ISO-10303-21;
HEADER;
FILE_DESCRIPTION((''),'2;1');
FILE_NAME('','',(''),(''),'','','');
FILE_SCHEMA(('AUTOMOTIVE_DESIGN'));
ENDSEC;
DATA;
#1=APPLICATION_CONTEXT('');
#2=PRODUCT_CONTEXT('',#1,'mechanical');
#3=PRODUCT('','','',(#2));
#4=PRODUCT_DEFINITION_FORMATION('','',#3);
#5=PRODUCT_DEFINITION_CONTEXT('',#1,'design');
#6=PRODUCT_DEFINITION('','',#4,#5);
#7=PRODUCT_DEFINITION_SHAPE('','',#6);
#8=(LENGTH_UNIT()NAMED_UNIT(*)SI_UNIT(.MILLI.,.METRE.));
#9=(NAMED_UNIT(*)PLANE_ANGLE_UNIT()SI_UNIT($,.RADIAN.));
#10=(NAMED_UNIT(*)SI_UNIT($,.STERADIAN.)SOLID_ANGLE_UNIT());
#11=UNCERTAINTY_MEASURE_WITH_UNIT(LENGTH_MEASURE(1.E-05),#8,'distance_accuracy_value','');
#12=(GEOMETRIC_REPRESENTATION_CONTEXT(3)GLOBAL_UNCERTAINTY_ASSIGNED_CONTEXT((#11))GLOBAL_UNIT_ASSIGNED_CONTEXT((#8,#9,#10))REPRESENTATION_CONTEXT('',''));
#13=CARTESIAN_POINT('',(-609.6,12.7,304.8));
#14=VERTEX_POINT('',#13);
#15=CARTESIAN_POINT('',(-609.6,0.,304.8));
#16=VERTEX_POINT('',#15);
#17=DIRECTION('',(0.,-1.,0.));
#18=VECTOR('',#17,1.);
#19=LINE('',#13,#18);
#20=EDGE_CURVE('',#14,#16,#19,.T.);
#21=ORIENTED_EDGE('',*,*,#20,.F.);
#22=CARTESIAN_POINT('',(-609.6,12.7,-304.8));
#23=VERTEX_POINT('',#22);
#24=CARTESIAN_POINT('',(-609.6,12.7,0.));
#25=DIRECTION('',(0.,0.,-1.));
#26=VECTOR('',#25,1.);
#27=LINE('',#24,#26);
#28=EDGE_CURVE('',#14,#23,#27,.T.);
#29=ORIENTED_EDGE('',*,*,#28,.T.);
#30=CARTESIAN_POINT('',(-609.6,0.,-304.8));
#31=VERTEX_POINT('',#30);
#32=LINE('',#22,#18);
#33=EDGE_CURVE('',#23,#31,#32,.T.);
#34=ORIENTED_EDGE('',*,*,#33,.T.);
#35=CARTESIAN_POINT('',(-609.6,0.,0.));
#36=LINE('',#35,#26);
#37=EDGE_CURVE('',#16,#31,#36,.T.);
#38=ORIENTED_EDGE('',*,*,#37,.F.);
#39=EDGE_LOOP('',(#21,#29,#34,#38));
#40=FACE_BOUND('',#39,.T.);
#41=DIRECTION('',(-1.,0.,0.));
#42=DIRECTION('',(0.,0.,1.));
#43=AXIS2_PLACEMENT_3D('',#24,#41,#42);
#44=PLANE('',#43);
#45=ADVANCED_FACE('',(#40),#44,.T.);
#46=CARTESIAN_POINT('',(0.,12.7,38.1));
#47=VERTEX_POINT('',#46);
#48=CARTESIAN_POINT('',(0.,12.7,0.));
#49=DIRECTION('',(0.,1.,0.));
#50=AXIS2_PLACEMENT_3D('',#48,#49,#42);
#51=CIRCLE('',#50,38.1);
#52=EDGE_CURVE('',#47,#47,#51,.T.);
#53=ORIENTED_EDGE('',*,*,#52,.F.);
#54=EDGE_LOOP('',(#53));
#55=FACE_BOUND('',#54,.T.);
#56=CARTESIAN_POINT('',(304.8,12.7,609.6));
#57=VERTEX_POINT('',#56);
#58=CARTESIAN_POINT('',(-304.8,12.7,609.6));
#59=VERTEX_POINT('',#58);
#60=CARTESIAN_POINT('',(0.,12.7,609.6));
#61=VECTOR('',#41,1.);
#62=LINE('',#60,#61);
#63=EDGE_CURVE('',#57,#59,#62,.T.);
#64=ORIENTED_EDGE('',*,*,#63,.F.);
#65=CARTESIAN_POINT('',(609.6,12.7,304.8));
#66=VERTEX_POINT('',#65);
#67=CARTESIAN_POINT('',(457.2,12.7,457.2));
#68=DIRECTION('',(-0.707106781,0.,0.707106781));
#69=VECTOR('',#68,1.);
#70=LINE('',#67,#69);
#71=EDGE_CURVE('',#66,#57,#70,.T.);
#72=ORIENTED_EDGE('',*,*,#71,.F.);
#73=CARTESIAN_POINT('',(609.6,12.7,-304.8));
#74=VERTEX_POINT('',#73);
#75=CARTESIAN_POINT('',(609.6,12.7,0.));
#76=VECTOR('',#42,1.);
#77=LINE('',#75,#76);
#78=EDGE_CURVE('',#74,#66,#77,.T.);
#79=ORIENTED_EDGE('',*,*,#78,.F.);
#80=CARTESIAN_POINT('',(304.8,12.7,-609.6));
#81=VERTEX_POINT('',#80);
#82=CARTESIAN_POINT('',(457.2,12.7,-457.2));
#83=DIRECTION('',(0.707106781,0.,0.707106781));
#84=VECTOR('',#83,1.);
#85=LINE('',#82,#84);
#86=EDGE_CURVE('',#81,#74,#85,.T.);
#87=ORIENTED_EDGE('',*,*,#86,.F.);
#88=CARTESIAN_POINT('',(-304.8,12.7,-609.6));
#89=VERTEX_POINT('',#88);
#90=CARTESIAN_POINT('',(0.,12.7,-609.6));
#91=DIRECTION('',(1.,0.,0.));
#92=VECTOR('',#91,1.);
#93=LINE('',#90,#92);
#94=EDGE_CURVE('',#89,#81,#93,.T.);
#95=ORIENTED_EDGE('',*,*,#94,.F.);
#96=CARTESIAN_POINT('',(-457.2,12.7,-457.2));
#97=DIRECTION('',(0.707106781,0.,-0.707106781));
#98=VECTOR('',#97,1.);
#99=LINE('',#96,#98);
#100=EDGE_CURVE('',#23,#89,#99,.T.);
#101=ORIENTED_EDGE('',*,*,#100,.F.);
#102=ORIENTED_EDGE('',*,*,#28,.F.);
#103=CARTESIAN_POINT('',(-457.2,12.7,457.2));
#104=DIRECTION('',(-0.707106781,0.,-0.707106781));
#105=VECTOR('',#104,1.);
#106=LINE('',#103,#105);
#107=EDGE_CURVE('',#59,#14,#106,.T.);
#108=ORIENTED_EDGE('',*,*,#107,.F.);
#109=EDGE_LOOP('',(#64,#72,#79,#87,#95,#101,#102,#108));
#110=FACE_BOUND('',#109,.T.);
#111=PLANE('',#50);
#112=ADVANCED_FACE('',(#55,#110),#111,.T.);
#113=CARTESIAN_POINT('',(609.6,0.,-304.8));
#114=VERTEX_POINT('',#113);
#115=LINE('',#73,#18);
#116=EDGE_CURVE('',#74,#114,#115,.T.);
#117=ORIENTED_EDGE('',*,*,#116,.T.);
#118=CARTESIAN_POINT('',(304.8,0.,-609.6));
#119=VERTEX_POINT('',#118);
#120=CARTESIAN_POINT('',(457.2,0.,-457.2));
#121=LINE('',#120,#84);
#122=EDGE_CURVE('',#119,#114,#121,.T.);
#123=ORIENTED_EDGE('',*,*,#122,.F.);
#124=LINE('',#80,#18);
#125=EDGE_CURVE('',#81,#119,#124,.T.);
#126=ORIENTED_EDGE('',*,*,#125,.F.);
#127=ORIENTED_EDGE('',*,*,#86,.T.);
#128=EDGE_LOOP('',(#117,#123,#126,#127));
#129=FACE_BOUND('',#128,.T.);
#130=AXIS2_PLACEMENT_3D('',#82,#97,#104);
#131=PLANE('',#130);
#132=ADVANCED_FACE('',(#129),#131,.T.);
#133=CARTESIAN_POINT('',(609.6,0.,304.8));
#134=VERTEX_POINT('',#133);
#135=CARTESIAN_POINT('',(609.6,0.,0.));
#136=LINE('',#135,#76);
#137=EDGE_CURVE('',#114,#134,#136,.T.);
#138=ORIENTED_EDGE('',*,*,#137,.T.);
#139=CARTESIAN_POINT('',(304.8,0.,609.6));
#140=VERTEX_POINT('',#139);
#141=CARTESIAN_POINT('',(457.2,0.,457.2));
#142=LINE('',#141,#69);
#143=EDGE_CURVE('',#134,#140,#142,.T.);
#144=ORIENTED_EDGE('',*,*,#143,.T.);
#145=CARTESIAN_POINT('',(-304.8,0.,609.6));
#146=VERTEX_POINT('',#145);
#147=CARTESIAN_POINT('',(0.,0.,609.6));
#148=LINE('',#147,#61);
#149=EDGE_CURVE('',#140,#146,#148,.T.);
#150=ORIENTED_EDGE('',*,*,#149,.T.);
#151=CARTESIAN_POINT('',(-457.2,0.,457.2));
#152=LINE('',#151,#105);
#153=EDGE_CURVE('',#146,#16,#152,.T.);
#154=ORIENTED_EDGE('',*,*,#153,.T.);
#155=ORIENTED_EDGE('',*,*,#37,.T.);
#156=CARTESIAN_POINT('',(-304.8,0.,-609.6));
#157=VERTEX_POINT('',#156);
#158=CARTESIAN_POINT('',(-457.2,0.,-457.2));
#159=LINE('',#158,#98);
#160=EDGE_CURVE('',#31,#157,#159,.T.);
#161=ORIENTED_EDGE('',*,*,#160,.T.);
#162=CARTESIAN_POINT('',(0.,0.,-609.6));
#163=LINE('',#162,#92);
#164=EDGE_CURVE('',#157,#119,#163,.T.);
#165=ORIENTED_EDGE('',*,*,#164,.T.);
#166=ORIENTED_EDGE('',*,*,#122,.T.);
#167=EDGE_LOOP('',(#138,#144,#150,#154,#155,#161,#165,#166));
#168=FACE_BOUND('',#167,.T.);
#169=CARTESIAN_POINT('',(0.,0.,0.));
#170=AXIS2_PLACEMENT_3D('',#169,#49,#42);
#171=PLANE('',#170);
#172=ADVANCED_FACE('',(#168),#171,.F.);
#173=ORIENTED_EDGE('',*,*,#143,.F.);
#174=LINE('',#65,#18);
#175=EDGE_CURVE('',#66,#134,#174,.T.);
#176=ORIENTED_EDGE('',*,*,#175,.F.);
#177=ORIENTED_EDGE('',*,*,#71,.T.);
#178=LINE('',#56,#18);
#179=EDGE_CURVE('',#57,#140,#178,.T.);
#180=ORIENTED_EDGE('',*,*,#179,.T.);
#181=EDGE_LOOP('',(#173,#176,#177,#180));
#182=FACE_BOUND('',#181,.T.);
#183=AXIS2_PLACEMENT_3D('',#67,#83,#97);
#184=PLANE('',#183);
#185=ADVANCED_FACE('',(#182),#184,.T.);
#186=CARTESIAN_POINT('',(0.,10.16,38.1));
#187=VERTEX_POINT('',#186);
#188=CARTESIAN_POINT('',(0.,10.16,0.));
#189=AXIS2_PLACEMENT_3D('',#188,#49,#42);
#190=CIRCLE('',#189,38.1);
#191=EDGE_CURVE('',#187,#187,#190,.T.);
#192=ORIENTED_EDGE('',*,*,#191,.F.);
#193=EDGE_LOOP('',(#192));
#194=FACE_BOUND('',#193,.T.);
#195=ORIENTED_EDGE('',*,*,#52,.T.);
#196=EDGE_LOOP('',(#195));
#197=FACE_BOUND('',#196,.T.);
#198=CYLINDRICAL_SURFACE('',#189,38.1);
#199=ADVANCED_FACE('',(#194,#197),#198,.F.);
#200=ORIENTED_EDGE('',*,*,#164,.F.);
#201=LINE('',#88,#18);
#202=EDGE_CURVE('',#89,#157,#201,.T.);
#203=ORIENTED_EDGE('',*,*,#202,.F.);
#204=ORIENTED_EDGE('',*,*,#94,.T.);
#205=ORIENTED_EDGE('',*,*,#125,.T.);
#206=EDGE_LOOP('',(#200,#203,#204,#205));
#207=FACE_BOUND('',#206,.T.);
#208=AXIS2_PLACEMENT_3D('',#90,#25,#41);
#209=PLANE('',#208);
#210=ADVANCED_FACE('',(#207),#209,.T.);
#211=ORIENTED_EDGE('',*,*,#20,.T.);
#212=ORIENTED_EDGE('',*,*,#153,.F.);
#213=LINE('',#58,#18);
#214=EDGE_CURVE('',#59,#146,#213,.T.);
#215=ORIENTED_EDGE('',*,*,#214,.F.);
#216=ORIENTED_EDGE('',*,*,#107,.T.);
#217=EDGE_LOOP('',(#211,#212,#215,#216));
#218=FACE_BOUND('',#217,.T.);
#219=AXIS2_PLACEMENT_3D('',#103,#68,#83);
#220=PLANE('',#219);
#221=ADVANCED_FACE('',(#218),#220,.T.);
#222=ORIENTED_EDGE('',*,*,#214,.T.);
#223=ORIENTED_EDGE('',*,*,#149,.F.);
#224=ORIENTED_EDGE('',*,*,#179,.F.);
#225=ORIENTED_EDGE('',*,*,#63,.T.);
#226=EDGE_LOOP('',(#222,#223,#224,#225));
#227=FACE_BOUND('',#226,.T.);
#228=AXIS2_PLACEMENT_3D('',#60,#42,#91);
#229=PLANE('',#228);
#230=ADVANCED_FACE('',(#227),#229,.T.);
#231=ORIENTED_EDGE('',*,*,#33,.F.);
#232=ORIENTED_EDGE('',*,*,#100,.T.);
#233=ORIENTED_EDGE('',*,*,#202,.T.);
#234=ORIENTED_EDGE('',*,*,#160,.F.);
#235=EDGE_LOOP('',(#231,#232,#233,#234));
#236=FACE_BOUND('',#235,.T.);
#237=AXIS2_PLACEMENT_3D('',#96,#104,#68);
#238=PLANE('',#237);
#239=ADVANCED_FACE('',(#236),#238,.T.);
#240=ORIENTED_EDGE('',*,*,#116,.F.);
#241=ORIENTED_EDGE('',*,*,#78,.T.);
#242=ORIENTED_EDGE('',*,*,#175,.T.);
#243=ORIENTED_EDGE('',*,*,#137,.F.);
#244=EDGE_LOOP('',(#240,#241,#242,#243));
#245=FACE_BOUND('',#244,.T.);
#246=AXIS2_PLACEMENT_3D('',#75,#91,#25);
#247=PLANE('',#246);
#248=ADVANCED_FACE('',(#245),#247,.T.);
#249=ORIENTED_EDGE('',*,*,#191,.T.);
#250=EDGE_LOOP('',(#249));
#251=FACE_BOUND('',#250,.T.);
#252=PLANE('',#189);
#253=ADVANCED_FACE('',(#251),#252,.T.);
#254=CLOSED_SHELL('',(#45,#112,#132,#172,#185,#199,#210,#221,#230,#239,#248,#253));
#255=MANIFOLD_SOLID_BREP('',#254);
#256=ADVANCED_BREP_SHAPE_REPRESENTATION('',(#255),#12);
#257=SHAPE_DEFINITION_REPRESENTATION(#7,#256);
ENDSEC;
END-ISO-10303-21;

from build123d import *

# Parameters (mm, degrees)
BOSS_EXTRUDE1_DEPTH = 12.7
SKETCH2_R           = 38.1
CUT_EXTRUDE1_DEPTH  = 2.54


with BuildPart() as part:
    # Sketch1 → Boss-Extrude1 (new body)
    with BuildSketch(Plane(origin=(0, 0, 0), x_dir=(1, 0, 0), z_dir=(0, 1, 0))):
        Polygon((-609.6, 304.8), (-304.8, 609.6), (304.8, 609.6), (609.6, 304.8), (609.6, -304.8), (304.8, -609.6), (-304.8, -609.6), (-609.6, -304.8), align=None)
    extrude(amount=BOSS_EXTRUDE1_DEPTH)

    # Sketch2 → Cut-Extrude1 (cut)
    with BuildSketch(Plane(origin=(0, 12.7, 0), x_dir=(1, 0, 0), z_dir=(0, 1, 0))):
        Circle(SKETCH2_R)
    extrude(amount=-CUT_EXTRUDE1_DEPTH, mode=Mode.SUBTRACT)


solid = part.part
